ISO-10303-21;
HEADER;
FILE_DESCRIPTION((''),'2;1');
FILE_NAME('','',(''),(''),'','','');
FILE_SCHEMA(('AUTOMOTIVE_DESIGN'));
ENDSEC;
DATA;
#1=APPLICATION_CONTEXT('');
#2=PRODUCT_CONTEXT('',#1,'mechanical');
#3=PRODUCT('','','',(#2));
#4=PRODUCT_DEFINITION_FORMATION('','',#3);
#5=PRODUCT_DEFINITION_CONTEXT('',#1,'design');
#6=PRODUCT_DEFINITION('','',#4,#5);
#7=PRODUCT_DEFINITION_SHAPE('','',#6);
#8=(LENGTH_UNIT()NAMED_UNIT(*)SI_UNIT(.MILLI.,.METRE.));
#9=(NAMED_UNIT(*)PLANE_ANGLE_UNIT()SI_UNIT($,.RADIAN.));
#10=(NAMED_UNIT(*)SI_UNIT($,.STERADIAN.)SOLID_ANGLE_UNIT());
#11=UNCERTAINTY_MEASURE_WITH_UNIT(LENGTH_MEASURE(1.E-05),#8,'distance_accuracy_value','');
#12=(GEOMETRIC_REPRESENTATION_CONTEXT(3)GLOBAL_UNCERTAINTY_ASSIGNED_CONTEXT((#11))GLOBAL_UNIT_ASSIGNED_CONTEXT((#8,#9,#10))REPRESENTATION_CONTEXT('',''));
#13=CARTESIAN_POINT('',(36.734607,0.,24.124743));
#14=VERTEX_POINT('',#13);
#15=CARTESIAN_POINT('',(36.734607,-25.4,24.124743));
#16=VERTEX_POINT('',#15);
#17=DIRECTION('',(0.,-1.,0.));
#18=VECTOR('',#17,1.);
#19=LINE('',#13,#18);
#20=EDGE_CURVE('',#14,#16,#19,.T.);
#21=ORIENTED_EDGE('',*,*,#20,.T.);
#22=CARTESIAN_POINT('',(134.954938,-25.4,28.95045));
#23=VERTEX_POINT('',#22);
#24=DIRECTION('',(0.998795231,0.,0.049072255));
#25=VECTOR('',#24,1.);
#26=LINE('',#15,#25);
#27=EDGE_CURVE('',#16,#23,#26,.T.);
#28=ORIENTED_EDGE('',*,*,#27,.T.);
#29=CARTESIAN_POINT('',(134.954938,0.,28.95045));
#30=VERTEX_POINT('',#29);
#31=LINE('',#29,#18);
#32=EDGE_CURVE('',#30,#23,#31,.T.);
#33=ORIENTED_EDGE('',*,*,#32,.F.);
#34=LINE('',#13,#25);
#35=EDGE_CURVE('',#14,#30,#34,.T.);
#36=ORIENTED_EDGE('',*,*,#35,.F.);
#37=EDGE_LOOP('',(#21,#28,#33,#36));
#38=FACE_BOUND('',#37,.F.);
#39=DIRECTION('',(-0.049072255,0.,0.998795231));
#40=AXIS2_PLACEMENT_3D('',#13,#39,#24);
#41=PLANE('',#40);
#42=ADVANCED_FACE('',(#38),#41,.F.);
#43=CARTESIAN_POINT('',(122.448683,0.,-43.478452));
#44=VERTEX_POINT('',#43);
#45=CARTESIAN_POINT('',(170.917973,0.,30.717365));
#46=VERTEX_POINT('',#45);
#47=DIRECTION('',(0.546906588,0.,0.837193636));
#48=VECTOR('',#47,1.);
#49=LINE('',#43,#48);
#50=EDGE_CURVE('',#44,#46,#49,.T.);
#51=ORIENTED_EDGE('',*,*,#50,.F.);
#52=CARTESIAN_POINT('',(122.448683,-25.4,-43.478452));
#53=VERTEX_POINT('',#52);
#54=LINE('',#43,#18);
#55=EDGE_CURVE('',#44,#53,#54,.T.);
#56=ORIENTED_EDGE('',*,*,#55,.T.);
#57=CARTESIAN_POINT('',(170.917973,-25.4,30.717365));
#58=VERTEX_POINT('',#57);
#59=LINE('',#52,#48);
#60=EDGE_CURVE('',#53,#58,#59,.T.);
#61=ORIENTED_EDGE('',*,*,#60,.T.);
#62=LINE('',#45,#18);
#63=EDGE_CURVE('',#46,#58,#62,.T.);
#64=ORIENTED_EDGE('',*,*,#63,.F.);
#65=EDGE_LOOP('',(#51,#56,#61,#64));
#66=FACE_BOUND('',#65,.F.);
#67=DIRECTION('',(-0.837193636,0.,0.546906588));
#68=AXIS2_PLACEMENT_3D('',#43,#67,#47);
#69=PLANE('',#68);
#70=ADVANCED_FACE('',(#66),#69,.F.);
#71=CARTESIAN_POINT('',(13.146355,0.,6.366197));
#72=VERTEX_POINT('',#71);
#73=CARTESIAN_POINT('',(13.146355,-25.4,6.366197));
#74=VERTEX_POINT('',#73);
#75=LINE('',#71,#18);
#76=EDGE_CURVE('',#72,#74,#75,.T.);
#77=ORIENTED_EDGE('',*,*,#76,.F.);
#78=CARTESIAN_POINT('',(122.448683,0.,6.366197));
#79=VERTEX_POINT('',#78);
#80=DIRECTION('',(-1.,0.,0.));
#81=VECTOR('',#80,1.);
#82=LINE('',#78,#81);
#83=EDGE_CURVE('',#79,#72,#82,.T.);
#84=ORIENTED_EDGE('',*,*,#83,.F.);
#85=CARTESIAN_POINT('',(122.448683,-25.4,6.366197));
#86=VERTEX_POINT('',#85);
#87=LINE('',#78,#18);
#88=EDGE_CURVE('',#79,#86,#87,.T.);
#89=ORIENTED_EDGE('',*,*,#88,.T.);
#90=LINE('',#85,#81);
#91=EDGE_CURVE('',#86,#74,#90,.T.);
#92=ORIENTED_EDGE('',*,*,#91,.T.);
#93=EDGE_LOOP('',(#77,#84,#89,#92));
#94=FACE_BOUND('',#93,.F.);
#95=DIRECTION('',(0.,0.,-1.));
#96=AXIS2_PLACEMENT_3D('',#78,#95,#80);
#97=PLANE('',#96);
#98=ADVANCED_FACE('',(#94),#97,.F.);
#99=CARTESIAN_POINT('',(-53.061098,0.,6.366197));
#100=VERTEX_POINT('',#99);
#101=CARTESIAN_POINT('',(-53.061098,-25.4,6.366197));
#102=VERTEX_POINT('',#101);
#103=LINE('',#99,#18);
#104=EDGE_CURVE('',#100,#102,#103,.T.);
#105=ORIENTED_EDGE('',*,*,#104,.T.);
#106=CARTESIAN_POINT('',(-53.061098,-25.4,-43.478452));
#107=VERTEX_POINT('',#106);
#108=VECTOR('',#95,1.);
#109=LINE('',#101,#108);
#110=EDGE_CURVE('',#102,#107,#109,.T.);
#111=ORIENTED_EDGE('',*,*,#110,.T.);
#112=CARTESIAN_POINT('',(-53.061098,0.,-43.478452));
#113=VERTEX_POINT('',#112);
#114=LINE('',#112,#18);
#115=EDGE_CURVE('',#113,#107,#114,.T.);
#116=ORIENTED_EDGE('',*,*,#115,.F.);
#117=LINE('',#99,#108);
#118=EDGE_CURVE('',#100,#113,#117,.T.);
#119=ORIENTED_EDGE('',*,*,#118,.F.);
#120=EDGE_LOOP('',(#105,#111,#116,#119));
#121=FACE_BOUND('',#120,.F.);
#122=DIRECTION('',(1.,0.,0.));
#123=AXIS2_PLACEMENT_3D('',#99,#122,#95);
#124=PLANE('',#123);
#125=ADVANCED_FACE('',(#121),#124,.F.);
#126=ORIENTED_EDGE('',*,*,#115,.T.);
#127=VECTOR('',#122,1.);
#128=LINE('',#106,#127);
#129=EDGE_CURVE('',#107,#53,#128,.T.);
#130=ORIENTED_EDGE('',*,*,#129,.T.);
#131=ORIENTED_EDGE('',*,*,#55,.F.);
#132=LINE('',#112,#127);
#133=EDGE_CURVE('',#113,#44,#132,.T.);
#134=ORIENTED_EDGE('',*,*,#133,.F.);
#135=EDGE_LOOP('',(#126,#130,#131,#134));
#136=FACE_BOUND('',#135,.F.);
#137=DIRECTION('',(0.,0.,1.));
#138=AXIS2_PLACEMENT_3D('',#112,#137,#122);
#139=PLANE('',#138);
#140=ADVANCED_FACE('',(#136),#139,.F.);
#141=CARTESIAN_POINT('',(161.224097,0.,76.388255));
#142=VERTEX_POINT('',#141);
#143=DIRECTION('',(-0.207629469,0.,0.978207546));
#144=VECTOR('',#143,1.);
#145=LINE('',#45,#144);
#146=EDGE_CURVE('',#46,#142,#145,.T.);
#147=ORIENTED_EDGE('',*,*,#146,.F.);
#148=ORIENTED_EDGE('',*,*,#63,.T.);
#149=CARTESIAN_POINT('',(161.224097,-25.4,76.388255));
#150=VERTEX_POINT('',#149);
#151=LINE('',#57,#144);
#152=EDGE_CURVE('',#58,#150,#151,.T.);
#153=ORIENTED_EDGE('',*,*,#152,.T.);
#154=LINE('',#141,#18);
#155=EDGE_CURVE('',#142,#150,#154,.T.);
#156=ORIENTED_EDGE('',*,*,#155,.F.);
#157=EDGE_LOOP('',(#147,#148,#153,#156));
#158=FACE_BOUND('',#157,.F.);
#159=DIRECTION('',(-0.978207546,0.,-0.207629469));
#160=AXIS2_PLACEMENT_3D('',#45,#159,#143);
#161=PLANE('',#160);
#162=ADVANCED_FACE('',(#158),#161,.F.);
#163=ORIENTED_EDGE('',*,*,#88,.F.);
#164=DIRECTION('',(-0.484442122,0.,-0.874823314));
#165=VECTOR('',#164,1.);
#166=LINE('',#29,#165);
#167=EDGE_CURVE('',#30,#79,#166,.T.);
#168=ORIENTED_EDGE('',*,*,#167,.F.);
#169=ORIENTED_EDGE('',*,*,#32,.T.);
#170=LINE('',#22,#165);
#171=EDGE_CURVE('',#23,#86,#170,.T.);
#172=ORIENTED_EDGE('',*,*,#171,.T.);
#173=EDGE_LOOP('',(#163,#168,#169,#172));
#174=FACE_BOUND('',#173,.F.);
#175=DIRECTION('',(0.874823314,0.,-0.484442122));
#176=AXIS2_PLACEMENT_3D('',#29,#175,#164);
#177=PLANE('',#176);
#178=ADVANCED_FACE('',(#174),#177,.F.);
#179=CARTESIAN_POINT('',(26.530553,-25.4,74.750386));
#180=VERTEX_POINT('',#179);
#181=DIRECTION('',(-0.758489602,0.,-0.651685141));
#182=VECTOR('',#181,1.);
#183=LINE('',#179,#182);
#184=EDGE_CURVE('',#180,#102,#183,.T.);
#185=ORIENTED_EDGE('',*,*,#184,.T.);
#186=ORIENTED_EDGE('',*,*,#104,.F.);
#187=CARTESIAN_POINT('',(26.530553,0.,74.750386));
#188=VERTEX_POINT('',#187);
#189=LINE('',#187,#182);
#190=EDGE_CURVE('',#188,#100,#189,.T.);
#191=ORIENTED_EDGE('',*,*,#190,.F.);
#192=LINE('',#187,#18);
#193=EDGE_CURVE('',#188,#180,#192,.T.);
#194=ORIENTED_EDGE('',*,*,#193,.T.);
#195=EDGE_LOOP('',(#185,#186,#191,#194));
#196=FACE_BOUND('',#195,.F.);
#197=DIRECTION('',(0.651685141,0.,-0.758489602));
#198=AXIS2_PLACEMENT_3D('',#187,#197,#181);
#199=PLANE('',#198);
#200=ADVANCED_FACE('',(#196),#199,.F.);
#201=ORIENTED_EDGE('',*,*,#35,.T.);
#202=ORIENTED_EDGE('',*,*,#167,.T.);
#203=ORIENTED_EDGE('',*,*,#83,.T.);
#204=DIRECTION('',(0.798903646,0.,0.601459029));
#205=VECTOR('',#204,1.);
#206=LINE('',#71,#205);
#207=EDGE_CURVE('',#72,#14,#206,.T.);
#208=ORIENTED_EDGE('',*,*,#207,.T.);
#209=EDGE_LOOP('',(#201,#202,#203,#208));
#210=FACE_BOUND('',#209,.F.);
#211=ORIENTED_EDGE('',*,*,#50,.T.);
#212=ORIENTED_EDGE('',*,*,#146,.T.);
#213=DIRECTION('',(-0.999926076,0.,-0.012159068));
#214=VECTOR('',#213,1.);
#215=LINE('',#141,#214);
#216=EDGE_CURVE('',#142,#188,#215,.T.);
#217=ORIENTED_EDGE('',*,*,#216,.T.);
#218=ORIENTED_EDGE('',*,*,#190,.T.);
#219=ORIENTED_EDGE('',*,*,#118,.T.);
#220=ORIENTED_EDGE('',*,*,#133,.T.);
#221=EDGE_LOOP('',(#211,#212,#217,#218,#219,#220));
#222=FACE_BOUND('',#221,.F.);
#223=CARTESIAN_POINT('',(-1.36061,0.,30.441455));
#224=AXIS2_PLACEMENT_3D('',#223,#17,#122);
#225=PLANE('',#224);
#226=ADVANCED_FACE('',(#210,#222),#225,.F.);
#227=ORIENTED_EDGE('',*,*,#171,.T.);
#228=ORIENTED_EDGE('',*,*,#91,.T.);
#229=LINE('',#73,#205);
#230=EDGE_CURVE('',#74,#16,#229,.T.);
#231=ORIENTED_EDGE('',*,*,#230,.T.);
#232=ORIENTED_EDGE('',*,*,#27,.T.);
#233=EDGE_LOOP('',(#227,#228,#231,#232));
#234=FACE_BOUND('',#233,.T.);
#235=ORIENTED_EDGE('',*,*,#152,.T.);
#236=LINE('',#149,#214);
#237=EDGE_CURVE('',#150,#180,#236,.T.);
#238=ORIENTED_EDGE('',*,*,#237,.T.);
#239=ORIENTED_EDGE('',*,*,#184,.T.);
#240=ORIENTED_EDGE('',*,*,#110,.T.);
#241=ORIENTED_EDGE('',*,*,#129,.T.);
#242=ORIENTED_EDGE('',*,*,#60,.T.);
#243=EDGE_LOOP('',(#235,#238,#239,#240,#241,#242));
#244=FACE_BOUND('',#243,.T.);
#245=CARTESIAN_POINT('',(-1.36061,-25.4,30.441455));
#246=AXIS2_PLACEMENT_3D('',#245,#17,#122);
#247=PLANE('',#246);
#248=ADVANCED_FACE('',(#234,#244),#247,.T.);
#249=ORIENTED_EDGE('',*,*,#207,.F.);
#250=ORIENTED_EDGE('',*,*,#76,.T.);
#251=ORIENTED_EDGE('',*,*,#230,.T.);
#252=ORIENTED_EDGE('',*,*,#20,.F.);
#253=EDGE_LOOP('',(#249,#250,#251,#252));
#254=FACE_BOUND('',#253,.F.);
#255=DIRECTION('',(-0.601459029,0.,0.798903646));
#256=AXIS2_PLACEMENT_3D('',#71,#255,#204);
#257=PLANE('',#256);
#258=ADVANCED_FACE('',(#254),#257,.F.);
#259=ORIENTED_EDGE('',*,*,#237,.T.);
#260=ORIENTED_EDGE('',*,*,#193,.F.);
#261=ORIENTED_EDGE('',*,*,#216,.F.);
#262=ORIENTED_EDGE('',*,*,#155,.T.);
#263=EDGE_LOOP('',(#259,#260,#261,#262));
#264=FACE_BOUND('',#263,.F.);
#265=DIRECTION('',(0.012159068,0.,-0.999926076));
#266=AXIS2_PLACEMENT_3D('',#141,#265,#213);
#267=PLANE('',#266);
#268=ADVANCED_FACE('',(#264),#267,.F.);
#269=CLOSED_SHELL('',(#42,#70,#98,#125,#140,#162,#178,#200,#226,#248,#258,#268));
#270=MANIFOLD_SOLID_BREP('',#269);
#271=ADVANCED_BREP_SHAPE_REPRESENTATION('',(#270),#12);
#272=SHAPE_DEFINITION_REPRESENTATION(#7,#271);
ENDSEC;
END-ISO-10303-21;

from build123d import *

# Parameters (mm, degrees)
F1_DEPTH = 25.4


with BuildPart() as f1:
    # F0 (on Front) → F1 (new body)
    with BuildSketch(Plane.XZ):
        Polygon((26.530553, 74.750386), (-53.061098, 6.366197), (13.146355, 6.366197), (36.734607, 24.124743), align=None)
        Polygon((13.146355, 6.366197), (-53.061098, 6.366197), (-53.061098, -43.478452), align=None)
        Polygon((122.448683, 6.366197), (13.146355, 6.366197), (-53.061098, -43.478452), (122.448683, -43.478452), align=None)
        Polygon((161.224097, 76.388255), (26.530553, 74.750386), (36.734607, 24.124743), (134.954938, 28.95045), align=None)
        Polygon((134.954938, 28.95045), (122.448683, 6.366197), (122.448683, -43.478452), (170.917973, 30.717365), align=None)
        Polygon((170.917973, 30.717365), (161.224097, 76.388255), (134.954938, 28.95045), align=None)
    extrude(amount=F1_DEPTH)


solid = f1.part
